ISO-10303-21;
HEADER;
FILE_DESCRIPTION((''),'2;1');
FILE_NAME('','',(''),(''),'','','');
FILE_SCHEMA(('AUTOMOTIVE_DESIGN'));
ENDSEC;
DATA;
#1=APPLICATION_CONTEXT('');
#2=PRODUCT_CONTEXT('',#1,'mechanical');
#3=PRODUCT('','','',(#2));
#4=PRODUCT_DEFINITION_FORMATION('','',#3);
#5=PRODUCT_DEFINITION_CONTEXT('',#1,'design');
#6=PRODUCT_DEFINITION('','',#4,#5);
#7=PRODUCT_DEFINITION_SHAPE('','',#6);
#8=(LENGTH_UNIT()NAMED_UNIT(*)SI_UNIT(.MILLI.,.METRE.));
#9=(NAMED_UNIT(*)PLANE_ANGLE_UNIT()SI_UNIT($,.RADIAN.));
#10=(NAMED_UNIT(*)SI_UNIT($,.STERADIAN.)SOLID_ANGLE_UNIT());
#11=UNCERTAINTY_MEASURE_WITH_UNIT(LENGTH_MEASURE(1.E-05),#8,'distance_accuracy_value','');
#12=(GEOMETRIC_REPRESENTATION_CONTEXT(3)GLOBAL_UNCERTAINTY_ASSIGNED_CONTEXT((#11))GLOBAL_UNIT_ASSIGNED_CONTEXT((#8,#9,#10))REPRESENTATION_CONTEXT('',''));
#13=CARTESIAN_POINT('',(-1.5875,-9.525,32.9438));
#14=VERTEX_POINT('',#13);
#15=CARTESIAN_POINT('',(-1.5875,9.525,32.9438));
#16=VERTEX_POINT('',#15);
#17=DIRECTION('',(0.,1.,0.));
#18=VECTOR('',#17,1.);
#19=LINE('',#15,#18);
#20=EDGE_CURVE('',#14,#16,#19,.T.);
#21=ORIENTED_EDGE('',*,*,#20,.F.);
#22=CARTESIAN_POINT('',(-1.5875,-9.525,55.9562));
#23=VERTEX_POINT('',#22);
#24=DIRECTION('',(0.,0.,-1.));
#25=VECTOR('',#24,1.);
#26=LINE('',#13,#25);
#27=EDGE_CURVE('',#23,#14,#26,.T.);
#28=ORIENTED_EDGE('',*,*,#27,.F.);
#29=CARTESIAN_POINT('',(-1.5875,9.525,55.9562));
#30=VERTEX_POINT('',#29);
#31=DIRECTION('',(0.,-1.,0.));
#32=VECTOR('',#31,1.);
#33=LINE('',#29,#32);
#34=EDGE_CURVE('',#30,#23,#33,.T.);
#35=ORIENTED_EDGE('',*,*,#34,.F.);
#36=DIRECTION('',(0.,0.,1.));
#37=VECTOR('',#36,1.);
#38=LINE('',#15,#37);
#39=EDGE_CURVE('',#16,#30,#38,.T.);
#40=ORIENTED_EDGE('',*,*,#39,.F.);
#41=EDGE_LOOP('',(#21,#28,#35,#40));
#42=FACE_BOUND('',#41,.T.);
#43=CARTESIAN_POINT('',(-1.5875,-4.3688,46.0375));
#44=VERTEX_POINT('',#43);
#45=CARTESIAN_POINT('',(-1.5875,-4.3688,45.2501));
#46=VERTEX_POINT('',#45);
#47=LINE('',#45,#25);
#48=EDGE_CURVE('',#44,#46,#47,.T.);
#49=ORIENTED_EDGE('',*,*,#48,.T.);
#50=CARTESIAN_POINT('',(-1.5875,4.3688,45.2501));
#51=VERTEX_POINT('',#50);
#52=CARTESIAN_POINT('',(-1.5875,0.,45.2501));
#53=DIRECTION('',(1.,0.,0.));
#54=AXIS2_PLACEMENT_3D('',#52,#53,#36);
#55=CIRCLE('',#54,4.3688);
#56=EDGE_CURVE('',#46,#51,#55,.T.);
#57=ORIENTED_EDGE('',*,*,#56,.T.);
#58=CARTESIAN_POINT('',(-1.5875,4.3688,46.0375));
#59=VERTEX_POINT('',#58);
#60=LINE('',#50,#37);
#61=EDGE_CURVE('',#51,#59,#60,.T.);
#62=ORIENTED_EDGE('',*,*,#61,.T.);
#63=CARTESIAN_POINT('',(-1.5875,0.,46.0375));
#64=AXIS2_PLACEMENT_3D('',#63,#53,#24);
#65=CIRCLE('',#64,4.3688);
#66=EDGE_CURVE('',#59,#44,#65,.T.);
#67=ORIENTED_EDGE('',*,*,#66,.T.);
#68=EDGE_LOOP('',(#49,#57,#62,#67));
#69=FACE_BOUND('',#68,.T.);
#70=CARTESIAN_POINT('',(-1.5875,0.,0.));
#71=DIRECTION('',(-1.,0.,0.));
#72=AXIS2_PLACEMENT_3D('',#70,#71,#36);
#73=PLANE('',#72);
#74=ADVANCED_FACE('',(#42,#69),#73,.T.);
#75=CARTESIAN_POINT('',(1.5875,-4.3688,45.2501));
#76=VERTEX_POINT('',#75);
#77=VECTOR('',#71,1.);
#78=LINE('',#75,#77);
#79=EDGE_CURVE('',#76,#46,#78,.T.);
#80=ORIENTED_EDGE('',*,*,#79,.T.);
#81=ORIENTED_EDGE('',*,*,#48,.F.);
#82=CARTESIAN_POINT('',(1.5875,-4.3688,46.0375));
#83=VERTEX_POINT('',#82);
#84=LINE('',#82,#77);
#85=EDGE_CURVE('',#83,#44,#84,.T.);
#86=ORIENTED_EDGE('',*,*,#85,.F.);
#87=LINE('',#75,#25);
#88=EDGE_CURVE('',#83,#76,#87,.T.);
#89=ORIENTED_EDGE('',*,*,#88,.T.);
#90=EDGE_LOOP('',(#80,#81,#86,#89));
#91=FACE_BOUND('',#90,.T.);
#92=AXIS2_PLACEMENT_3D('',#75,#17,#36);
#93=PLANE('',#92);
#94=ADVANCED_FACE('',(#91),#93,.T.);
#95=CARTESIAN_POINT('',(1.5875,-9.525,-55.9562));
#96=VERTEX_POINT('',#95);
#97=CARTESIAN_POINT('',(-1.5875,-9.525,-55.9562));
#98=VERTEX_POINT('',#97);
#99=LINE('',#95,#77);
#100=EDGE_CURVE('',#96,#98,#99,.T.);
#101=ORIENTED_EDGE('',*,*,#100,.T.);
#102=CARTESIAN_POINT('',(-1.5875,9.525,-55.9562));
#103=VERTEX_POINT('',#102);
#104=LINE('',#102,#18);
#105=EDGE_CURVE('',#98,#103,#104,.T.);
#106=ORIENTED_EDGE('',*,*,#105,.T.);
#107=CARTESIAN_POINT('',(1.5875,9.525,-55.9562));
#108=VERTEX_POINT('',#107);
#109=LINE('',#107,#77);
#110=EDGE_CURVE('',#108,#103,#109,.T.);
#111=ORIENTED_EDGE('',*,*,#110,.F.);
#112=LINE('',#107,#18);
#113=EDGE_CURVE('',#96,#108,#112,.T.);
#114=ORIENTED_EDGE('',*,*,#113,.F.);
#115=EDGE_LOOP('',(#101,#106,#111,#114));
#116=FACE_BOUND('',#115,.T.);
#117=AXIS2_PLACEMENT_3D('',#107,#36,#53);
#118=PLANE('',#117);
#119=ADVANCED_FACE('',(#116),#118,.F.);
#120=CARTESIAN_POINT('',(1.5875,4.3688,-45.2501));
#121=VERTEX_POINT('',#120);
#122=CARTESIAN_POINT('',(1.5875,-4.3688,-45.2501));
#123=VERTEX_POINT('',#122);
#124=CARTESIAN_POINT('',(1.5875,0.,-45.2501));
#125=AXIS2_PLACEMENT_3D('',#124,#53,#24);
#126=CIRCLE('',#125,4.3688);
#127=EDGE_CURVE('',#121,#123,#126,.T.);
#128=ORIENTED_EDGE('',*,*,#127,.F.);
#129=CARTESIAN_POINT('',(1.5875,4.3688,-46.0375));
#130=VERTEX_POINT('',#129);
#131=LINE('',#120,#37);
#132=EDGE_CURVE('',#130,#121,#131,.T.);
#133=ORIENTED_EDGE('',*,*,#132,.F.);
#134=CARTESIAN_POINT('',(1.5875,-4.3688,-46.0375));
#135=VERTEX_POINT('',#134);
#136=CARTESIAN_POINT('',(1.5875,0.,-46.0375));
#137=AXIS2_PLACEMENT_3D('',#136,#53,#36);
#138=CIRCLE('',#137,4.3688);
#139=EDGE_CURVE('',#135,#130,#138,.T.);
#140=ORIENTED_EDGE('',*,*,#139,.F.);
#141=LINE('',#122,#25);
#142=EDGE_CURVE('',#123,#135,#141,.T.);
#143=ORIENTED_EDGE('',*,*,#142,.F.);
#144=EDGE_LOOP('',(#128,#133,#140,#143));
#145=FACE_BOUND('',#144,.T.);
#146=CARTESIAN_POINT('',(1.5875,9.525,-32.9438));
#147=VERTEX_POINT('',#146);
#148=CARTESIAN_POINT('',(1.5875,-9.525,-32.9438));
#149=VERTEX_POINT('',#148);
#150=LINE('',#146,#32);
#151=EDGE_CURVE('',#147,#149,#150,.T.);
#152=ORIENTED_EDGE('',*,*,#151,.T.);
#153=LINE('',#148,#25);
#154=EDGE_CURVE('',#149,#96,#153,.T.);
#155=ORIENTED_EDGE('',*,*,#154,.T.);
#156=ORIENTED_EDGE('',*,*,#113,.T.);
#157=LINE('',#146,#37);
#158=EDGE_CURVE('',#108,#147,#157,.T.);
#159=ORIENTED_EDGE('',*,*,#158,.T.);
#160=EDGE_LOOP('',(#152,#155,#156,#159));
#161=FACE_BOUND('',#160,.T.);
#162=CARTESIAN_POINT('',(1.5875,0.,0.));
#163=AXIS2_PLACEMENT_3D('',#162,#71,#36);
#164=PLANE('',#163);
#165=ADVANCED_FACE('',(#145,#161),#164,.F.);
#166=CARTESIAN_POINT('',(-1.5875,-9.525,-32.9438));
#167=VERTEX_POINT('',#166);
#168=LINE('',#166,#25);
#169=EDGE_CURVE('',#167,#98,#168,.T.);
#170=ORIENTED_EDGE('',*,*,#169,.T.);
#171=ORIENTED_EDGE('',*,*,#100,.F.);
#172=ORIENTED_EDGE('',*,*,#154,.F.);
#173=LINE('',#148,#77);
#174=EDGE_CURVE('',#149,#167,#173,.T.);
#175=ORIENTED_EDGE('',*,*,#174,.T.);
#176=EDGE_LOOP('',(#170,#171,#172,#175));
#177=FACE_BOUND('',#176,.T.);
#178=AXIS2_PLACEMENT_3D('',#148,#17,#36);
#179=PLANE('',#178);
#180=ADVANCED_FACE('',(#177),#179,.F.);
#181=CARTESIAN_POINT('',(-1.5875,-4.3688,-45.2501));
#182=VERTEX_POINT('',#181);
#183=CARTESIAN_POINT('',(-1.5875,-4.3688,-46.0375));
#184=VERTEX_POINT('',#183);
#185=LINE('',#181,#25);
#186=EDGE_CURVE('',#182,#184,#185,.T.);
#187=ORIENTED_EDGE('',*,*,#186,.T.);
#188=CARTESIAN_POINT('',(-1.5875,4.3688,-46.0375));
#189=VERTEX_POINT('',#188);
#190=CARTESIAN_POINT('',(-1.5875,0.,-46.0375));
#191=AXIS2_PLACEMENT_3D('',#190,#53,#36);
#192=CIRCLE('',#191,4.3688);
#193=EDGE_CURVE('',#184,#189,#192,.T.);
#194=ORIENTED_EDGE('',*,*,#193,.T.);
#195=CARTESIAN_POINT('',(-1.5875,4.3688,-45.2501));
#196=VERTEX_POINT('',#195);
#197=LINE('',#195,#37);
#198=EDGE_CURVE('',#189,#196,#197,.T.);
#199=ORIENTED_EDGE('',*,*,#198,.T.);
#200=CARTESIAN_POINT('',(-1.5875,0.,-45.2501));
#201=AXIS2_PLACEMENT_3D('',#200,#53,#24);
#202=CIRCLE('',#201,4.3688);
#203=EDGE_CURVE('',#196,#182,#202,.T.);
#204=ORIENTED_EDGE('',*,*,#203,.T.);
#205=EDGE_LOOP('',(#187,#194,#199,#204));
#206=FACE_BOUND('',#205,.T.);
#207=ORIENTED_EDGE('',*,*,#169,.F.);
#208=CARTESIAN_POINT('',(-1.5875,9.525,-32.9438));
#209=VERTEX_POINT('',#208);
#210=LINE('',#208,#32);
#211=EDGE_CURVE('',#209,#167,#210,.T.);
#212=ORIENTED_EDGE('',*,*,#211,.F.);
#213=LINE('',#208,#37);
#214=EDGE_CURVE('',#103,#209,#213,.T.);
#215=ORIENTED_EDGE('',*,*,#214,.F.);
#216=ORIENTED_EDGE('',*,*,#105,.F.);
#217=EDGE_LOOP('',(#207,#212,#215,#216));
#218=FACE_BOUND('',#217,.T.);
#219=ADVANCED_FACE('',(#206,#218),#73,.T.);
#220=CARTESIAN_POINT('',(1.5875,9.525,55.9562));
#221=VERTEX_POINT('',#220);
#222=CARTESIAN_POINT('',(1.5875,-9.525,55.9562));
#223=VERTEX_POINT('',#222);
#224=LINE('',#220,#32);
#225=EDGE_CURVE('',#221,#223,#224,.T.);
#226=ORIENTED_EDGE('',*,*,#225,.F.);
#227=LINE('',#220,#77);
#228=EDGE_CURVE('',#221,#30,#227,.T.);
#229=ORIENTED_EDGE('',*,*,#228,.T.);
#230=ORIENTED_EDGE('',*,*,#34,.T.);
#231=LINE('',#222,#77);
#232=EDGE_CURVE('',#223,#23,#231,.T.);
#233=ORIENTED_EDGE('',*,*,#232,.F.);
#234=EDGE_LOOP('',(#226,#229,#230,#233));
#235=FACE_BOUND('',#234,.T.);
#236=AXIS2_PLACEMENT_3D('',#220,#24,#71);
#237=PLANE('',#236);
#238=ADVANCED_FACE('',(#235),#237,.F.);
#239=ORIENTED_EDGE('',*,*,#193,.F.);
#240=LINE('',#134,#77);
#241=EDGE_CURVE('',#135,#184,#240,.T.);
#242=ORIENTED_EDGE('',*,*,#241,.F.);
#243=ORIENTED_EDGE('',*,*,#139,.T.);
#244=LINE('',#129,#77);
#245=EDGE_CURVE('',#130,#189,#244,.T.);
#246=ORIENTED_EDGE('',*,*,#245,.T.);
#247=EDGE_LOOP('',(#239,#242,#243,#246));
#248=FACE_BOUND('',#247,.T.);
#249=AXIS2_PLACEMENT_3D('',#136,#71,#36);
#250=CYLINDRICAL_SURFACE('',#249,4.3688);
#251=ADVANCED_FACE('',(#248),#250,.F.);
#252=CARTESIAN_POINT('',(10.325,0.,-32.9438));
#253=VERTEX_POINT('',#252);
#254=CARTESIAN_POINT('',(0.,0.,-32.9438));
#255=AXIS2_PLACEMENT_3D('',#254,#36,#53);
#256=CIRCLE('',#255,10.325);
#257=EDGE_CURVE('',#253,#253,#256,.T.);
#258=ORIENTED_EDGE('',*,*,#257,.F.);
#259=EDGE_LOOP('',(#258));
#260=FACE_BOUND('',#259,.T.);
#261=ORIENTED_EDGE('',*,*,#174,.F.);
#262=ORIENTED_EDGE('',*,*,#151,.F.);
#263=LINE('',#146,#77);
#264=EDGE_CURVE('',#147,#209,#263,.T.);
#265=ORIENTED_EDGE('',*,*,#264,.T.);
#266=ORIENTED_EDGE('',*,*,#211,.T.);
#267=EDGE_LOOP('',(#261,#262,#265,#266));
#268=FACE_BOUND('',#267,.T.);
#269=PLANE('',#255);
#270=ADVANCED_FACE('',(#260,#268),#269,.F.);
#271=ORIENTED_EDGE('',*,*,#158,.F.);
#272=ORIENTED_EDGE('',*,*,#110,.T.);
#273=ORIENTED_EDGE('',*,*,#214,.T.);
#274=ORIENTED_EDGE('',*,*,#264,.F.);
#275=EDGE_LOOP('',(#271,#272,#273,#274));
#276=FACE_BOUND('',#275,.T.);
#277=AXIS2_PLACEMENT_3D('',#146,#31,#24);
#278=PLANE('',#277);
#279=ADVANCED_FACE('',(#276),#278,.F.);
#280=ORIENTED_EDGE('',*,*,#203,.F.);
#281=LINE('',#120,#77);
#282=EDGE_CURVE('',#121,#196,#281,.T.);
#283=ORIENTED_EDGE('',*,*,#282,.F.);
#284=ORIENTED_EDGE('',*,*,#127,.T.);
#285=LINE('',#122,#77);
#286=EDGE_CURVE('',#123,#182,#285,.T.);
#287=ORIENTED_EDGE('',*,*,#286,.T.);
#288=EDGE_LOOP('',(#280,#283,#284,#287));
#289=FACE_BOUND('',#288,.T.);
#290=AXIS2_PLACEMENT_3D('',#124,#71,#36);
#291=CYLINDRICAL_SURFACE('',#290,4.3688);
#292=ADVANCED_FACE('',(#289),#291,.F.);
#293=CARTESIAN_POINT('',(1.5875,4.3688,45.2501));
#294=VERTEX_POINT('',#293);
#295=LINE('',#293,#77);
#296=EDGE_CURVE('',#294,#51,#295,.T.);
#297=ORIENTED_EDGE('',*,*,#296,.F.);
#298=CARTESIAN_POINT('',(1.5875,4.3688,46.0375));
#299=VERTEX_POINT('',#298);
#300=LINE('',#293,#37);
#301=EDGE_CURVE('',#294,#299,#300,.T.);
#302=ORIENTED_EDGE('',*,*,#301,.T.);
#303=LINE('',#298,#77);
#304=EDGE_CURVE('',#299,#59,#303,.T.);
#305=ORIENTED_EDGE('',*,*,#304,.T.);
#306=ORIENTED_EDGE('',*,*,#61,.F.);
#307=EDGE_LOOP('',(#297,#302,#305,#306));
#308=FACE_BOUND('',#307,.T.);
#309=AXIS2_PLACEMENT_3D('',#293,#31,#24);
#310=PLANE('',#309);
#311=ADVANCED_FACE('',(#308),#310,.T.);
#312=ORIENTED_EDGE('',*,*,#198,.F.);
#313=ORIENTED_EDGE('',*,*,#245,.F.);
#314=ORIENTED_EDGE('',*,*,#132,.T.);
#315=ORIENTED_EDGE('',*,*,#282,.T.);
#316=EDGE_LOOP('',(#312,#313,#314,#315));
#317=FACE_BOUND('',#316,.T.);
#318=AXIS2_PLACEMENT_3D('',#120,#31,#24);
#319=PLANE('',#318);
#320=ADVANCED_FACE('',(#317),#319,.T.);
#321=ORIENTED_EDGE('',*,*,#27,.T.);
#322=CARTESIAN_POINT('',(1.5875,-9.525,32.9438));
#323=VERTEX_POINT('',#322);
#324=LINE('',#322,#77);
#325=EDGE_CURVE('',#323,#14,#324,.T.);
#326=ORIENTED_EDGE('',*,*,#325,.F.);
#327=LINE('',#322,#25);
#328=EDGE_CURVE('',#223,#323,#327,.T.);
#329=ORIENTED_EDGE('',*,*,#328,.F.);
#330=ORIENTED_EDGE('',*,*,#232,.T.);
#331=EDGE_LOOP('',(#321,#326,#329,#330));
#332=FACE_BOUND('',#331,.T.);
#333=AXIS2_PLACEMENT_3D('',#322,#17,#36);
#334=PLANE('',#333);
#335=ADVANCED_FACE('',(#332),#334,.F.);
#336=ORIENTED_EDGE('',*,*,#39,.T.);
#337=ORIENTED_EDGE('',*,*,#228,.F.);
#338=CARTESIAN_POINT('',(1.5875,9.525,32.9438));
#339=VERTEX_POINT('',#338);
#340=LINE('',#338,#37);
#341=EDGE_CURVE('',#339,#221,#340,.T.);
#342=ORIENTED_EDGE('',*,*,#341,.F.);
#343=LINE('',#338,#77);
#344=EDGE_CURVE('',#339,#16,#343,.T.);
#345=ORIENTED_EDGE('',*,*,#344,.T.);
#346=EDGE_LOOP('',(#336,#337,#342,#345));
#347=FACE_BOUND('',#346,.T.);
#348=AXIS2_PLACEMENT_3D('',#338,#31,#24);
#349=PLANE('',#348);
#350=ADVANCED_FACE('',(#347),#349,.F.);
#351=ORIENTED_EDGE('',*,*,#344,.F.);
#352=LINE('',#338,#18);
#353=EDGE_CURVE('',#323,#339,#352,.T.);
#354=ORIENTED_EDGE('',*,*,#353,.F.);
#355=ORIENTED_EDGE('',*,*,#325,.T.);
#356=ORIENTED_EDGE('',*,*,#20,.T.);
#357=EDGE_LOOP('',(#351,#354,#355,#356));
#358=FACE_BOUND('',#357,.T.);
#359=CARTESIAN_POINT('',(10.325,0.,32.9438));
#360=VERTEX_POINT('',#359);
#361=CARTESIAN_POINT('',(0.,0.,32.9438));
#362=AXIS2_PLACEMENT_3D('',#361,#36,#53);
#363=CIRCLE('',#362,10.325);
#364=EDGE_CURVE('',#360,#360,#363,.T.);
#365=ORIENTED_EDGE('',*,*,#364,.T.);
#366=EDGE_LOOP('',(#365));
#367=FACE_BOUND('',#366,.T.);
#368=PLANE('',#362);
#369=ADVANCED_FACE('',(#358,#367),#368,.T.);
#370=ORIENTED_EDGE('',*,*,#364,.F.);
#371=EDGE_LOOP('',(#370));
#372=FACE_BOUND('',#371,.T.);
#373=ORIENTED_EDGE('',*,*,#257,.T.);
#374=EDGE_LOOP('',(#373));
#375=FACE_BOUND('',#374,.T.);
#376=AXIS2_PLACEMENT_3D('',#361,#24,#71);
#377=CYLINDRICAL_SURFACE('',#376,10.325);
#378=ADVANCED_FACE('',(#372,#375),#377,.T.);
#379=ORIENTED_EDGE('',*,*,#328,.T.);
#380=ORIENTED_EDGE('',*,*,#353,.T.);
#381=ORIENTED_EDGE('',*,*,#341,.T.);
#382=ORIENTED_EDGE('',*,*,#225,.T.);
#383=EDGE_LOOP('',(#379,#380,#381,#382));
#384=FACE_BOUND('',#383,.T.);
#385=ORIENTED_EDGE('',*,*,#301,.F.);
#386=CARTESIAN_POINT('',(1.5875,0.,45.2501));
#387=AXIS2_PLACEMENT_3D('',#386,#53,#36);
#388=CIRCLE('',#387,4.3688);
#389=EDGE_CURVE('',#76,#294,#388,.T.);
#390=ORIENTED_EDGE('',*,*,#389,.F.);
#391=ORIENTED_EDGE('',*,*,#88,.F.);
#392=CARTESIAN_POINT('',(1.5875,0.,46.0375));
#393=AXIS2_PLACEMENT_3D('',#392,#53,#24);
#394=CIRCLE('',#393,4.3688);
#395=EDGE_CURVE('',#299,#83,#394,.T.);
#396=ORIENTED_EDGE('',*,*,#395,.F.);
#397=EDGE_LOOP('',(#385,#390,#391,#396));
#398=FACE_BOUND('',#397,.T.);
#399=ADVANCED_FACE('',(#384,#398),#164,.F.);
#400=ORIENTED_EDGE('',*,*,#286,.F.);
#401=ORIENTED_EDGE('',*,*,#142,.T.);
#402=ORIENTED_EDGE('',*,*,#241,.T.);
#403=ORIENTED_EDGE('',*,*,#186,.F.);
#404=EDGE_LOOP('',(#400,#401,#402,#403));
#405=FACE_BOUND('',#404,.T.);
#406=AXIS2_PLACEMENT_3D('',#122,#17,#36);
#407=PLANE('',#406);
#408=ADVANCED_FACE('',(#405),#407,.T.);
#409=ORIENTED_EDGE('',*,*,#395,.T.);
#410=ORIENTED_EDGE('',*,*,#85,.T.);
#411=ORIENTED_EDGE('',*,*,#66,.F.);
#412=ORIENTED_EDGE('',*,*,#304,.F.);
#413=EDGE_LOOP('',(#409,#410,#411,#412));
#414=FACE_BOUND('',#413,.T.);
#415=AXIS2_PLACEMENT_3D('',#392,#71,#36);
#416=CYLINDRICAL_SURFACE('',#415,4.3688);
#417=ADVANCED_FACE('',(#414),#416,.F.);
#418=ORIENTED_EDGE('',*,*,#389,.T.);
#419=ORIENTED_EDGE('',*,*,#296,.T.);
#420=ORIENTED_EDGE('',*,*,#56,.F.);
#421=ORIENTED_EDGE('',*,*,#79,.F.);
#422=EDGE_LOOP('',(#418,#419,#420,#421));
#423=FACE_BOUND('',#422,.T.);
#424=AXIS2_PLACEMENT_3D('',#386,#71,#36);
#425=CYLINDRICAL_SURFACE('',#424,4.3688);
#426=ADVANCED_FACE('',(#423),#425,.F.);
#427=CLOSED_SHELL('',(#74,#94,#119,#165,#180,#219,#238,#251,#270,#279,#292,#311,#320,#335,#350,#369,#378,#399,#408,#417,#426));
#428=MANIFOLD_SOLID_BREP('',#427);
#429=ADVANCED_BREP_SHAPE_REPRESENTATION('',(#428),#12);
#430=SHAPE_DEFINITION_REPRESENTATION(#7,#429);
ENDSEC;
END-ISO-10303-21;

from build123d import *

# Parameters (mm, degrees)
SKETCH1_R           = 10.325
BOSS_EXTRUDE1_DEPTH = 32.9438
SKETCH2_W           = 23.0124
SKETCH2_H           = 19.05
BOSS_EXTRUDE2_DEPTH = 1.5875


with BuildPart() as part:
    # Sketch1 → Boss-Extrude1 (new, symmetric)
    with BuildSketch(Plane.XY):
        Circle(SKETCH1_R)
    extrude(amount=BOSS_EXTRUDE1_DEPTH, both=True)

    # Sketch2 → Boss-Extrude2 (add, symmetric)
    # profile 1 of 2: a face of its own
    with BuildSketch(Plane(origin=(0, 0, 0), x_dir=(0, 0, -1), z_dir=(1, 0, 0))):
        with Locations((-44.45, 0)):
            Rectangle(SKETCH2_W, SKETCH2_H)
        with BuildLine():
            Line((-45.2501, 4.3688), (-46.0375, 4.3688))
            ThreePointArc((-46.0375, 4.3688), (-50.4063, 0), (-46.0375, -4.3688))
            Line((-46.0375, -4.3688), (-45.2501, -4.3688))
            ThreePointArc((-45.2501, -4.3688), (-40.8813, 0), (-45.2501, 4.3688))
        make_face(mode=Mode.SUBTRACT)
    # profile 2 of 2: a face of its own
    with BuildSketch(Plane(origin=(0, 0, 0), x_dir=(0, 0, -1), z_dir=(1, 0, 0))):
        with Locations((44.45, 0)):
            Rectangle(SKETCH2_W, SKETCH2_H)
        with BuildLine():
            Line((45.2501, -4.3688), (46.0375, -4.3688))
            ThreePointArc((46.0375, -4.3688), (50.4063, 0), (46.0375, 4.3688))
            Line((46.0375, 4.3688), (45.2501, 4.3688))
            ThreePointArc((45.2501, 4.3688), (40.8813, 0), (45.2501, -4.3688))
        make_face(mode=Mode.SUBTRACT)
    extrude(amount=BOSS_EXTRUDE2_DEPTH, both=True)


solid = part.part
